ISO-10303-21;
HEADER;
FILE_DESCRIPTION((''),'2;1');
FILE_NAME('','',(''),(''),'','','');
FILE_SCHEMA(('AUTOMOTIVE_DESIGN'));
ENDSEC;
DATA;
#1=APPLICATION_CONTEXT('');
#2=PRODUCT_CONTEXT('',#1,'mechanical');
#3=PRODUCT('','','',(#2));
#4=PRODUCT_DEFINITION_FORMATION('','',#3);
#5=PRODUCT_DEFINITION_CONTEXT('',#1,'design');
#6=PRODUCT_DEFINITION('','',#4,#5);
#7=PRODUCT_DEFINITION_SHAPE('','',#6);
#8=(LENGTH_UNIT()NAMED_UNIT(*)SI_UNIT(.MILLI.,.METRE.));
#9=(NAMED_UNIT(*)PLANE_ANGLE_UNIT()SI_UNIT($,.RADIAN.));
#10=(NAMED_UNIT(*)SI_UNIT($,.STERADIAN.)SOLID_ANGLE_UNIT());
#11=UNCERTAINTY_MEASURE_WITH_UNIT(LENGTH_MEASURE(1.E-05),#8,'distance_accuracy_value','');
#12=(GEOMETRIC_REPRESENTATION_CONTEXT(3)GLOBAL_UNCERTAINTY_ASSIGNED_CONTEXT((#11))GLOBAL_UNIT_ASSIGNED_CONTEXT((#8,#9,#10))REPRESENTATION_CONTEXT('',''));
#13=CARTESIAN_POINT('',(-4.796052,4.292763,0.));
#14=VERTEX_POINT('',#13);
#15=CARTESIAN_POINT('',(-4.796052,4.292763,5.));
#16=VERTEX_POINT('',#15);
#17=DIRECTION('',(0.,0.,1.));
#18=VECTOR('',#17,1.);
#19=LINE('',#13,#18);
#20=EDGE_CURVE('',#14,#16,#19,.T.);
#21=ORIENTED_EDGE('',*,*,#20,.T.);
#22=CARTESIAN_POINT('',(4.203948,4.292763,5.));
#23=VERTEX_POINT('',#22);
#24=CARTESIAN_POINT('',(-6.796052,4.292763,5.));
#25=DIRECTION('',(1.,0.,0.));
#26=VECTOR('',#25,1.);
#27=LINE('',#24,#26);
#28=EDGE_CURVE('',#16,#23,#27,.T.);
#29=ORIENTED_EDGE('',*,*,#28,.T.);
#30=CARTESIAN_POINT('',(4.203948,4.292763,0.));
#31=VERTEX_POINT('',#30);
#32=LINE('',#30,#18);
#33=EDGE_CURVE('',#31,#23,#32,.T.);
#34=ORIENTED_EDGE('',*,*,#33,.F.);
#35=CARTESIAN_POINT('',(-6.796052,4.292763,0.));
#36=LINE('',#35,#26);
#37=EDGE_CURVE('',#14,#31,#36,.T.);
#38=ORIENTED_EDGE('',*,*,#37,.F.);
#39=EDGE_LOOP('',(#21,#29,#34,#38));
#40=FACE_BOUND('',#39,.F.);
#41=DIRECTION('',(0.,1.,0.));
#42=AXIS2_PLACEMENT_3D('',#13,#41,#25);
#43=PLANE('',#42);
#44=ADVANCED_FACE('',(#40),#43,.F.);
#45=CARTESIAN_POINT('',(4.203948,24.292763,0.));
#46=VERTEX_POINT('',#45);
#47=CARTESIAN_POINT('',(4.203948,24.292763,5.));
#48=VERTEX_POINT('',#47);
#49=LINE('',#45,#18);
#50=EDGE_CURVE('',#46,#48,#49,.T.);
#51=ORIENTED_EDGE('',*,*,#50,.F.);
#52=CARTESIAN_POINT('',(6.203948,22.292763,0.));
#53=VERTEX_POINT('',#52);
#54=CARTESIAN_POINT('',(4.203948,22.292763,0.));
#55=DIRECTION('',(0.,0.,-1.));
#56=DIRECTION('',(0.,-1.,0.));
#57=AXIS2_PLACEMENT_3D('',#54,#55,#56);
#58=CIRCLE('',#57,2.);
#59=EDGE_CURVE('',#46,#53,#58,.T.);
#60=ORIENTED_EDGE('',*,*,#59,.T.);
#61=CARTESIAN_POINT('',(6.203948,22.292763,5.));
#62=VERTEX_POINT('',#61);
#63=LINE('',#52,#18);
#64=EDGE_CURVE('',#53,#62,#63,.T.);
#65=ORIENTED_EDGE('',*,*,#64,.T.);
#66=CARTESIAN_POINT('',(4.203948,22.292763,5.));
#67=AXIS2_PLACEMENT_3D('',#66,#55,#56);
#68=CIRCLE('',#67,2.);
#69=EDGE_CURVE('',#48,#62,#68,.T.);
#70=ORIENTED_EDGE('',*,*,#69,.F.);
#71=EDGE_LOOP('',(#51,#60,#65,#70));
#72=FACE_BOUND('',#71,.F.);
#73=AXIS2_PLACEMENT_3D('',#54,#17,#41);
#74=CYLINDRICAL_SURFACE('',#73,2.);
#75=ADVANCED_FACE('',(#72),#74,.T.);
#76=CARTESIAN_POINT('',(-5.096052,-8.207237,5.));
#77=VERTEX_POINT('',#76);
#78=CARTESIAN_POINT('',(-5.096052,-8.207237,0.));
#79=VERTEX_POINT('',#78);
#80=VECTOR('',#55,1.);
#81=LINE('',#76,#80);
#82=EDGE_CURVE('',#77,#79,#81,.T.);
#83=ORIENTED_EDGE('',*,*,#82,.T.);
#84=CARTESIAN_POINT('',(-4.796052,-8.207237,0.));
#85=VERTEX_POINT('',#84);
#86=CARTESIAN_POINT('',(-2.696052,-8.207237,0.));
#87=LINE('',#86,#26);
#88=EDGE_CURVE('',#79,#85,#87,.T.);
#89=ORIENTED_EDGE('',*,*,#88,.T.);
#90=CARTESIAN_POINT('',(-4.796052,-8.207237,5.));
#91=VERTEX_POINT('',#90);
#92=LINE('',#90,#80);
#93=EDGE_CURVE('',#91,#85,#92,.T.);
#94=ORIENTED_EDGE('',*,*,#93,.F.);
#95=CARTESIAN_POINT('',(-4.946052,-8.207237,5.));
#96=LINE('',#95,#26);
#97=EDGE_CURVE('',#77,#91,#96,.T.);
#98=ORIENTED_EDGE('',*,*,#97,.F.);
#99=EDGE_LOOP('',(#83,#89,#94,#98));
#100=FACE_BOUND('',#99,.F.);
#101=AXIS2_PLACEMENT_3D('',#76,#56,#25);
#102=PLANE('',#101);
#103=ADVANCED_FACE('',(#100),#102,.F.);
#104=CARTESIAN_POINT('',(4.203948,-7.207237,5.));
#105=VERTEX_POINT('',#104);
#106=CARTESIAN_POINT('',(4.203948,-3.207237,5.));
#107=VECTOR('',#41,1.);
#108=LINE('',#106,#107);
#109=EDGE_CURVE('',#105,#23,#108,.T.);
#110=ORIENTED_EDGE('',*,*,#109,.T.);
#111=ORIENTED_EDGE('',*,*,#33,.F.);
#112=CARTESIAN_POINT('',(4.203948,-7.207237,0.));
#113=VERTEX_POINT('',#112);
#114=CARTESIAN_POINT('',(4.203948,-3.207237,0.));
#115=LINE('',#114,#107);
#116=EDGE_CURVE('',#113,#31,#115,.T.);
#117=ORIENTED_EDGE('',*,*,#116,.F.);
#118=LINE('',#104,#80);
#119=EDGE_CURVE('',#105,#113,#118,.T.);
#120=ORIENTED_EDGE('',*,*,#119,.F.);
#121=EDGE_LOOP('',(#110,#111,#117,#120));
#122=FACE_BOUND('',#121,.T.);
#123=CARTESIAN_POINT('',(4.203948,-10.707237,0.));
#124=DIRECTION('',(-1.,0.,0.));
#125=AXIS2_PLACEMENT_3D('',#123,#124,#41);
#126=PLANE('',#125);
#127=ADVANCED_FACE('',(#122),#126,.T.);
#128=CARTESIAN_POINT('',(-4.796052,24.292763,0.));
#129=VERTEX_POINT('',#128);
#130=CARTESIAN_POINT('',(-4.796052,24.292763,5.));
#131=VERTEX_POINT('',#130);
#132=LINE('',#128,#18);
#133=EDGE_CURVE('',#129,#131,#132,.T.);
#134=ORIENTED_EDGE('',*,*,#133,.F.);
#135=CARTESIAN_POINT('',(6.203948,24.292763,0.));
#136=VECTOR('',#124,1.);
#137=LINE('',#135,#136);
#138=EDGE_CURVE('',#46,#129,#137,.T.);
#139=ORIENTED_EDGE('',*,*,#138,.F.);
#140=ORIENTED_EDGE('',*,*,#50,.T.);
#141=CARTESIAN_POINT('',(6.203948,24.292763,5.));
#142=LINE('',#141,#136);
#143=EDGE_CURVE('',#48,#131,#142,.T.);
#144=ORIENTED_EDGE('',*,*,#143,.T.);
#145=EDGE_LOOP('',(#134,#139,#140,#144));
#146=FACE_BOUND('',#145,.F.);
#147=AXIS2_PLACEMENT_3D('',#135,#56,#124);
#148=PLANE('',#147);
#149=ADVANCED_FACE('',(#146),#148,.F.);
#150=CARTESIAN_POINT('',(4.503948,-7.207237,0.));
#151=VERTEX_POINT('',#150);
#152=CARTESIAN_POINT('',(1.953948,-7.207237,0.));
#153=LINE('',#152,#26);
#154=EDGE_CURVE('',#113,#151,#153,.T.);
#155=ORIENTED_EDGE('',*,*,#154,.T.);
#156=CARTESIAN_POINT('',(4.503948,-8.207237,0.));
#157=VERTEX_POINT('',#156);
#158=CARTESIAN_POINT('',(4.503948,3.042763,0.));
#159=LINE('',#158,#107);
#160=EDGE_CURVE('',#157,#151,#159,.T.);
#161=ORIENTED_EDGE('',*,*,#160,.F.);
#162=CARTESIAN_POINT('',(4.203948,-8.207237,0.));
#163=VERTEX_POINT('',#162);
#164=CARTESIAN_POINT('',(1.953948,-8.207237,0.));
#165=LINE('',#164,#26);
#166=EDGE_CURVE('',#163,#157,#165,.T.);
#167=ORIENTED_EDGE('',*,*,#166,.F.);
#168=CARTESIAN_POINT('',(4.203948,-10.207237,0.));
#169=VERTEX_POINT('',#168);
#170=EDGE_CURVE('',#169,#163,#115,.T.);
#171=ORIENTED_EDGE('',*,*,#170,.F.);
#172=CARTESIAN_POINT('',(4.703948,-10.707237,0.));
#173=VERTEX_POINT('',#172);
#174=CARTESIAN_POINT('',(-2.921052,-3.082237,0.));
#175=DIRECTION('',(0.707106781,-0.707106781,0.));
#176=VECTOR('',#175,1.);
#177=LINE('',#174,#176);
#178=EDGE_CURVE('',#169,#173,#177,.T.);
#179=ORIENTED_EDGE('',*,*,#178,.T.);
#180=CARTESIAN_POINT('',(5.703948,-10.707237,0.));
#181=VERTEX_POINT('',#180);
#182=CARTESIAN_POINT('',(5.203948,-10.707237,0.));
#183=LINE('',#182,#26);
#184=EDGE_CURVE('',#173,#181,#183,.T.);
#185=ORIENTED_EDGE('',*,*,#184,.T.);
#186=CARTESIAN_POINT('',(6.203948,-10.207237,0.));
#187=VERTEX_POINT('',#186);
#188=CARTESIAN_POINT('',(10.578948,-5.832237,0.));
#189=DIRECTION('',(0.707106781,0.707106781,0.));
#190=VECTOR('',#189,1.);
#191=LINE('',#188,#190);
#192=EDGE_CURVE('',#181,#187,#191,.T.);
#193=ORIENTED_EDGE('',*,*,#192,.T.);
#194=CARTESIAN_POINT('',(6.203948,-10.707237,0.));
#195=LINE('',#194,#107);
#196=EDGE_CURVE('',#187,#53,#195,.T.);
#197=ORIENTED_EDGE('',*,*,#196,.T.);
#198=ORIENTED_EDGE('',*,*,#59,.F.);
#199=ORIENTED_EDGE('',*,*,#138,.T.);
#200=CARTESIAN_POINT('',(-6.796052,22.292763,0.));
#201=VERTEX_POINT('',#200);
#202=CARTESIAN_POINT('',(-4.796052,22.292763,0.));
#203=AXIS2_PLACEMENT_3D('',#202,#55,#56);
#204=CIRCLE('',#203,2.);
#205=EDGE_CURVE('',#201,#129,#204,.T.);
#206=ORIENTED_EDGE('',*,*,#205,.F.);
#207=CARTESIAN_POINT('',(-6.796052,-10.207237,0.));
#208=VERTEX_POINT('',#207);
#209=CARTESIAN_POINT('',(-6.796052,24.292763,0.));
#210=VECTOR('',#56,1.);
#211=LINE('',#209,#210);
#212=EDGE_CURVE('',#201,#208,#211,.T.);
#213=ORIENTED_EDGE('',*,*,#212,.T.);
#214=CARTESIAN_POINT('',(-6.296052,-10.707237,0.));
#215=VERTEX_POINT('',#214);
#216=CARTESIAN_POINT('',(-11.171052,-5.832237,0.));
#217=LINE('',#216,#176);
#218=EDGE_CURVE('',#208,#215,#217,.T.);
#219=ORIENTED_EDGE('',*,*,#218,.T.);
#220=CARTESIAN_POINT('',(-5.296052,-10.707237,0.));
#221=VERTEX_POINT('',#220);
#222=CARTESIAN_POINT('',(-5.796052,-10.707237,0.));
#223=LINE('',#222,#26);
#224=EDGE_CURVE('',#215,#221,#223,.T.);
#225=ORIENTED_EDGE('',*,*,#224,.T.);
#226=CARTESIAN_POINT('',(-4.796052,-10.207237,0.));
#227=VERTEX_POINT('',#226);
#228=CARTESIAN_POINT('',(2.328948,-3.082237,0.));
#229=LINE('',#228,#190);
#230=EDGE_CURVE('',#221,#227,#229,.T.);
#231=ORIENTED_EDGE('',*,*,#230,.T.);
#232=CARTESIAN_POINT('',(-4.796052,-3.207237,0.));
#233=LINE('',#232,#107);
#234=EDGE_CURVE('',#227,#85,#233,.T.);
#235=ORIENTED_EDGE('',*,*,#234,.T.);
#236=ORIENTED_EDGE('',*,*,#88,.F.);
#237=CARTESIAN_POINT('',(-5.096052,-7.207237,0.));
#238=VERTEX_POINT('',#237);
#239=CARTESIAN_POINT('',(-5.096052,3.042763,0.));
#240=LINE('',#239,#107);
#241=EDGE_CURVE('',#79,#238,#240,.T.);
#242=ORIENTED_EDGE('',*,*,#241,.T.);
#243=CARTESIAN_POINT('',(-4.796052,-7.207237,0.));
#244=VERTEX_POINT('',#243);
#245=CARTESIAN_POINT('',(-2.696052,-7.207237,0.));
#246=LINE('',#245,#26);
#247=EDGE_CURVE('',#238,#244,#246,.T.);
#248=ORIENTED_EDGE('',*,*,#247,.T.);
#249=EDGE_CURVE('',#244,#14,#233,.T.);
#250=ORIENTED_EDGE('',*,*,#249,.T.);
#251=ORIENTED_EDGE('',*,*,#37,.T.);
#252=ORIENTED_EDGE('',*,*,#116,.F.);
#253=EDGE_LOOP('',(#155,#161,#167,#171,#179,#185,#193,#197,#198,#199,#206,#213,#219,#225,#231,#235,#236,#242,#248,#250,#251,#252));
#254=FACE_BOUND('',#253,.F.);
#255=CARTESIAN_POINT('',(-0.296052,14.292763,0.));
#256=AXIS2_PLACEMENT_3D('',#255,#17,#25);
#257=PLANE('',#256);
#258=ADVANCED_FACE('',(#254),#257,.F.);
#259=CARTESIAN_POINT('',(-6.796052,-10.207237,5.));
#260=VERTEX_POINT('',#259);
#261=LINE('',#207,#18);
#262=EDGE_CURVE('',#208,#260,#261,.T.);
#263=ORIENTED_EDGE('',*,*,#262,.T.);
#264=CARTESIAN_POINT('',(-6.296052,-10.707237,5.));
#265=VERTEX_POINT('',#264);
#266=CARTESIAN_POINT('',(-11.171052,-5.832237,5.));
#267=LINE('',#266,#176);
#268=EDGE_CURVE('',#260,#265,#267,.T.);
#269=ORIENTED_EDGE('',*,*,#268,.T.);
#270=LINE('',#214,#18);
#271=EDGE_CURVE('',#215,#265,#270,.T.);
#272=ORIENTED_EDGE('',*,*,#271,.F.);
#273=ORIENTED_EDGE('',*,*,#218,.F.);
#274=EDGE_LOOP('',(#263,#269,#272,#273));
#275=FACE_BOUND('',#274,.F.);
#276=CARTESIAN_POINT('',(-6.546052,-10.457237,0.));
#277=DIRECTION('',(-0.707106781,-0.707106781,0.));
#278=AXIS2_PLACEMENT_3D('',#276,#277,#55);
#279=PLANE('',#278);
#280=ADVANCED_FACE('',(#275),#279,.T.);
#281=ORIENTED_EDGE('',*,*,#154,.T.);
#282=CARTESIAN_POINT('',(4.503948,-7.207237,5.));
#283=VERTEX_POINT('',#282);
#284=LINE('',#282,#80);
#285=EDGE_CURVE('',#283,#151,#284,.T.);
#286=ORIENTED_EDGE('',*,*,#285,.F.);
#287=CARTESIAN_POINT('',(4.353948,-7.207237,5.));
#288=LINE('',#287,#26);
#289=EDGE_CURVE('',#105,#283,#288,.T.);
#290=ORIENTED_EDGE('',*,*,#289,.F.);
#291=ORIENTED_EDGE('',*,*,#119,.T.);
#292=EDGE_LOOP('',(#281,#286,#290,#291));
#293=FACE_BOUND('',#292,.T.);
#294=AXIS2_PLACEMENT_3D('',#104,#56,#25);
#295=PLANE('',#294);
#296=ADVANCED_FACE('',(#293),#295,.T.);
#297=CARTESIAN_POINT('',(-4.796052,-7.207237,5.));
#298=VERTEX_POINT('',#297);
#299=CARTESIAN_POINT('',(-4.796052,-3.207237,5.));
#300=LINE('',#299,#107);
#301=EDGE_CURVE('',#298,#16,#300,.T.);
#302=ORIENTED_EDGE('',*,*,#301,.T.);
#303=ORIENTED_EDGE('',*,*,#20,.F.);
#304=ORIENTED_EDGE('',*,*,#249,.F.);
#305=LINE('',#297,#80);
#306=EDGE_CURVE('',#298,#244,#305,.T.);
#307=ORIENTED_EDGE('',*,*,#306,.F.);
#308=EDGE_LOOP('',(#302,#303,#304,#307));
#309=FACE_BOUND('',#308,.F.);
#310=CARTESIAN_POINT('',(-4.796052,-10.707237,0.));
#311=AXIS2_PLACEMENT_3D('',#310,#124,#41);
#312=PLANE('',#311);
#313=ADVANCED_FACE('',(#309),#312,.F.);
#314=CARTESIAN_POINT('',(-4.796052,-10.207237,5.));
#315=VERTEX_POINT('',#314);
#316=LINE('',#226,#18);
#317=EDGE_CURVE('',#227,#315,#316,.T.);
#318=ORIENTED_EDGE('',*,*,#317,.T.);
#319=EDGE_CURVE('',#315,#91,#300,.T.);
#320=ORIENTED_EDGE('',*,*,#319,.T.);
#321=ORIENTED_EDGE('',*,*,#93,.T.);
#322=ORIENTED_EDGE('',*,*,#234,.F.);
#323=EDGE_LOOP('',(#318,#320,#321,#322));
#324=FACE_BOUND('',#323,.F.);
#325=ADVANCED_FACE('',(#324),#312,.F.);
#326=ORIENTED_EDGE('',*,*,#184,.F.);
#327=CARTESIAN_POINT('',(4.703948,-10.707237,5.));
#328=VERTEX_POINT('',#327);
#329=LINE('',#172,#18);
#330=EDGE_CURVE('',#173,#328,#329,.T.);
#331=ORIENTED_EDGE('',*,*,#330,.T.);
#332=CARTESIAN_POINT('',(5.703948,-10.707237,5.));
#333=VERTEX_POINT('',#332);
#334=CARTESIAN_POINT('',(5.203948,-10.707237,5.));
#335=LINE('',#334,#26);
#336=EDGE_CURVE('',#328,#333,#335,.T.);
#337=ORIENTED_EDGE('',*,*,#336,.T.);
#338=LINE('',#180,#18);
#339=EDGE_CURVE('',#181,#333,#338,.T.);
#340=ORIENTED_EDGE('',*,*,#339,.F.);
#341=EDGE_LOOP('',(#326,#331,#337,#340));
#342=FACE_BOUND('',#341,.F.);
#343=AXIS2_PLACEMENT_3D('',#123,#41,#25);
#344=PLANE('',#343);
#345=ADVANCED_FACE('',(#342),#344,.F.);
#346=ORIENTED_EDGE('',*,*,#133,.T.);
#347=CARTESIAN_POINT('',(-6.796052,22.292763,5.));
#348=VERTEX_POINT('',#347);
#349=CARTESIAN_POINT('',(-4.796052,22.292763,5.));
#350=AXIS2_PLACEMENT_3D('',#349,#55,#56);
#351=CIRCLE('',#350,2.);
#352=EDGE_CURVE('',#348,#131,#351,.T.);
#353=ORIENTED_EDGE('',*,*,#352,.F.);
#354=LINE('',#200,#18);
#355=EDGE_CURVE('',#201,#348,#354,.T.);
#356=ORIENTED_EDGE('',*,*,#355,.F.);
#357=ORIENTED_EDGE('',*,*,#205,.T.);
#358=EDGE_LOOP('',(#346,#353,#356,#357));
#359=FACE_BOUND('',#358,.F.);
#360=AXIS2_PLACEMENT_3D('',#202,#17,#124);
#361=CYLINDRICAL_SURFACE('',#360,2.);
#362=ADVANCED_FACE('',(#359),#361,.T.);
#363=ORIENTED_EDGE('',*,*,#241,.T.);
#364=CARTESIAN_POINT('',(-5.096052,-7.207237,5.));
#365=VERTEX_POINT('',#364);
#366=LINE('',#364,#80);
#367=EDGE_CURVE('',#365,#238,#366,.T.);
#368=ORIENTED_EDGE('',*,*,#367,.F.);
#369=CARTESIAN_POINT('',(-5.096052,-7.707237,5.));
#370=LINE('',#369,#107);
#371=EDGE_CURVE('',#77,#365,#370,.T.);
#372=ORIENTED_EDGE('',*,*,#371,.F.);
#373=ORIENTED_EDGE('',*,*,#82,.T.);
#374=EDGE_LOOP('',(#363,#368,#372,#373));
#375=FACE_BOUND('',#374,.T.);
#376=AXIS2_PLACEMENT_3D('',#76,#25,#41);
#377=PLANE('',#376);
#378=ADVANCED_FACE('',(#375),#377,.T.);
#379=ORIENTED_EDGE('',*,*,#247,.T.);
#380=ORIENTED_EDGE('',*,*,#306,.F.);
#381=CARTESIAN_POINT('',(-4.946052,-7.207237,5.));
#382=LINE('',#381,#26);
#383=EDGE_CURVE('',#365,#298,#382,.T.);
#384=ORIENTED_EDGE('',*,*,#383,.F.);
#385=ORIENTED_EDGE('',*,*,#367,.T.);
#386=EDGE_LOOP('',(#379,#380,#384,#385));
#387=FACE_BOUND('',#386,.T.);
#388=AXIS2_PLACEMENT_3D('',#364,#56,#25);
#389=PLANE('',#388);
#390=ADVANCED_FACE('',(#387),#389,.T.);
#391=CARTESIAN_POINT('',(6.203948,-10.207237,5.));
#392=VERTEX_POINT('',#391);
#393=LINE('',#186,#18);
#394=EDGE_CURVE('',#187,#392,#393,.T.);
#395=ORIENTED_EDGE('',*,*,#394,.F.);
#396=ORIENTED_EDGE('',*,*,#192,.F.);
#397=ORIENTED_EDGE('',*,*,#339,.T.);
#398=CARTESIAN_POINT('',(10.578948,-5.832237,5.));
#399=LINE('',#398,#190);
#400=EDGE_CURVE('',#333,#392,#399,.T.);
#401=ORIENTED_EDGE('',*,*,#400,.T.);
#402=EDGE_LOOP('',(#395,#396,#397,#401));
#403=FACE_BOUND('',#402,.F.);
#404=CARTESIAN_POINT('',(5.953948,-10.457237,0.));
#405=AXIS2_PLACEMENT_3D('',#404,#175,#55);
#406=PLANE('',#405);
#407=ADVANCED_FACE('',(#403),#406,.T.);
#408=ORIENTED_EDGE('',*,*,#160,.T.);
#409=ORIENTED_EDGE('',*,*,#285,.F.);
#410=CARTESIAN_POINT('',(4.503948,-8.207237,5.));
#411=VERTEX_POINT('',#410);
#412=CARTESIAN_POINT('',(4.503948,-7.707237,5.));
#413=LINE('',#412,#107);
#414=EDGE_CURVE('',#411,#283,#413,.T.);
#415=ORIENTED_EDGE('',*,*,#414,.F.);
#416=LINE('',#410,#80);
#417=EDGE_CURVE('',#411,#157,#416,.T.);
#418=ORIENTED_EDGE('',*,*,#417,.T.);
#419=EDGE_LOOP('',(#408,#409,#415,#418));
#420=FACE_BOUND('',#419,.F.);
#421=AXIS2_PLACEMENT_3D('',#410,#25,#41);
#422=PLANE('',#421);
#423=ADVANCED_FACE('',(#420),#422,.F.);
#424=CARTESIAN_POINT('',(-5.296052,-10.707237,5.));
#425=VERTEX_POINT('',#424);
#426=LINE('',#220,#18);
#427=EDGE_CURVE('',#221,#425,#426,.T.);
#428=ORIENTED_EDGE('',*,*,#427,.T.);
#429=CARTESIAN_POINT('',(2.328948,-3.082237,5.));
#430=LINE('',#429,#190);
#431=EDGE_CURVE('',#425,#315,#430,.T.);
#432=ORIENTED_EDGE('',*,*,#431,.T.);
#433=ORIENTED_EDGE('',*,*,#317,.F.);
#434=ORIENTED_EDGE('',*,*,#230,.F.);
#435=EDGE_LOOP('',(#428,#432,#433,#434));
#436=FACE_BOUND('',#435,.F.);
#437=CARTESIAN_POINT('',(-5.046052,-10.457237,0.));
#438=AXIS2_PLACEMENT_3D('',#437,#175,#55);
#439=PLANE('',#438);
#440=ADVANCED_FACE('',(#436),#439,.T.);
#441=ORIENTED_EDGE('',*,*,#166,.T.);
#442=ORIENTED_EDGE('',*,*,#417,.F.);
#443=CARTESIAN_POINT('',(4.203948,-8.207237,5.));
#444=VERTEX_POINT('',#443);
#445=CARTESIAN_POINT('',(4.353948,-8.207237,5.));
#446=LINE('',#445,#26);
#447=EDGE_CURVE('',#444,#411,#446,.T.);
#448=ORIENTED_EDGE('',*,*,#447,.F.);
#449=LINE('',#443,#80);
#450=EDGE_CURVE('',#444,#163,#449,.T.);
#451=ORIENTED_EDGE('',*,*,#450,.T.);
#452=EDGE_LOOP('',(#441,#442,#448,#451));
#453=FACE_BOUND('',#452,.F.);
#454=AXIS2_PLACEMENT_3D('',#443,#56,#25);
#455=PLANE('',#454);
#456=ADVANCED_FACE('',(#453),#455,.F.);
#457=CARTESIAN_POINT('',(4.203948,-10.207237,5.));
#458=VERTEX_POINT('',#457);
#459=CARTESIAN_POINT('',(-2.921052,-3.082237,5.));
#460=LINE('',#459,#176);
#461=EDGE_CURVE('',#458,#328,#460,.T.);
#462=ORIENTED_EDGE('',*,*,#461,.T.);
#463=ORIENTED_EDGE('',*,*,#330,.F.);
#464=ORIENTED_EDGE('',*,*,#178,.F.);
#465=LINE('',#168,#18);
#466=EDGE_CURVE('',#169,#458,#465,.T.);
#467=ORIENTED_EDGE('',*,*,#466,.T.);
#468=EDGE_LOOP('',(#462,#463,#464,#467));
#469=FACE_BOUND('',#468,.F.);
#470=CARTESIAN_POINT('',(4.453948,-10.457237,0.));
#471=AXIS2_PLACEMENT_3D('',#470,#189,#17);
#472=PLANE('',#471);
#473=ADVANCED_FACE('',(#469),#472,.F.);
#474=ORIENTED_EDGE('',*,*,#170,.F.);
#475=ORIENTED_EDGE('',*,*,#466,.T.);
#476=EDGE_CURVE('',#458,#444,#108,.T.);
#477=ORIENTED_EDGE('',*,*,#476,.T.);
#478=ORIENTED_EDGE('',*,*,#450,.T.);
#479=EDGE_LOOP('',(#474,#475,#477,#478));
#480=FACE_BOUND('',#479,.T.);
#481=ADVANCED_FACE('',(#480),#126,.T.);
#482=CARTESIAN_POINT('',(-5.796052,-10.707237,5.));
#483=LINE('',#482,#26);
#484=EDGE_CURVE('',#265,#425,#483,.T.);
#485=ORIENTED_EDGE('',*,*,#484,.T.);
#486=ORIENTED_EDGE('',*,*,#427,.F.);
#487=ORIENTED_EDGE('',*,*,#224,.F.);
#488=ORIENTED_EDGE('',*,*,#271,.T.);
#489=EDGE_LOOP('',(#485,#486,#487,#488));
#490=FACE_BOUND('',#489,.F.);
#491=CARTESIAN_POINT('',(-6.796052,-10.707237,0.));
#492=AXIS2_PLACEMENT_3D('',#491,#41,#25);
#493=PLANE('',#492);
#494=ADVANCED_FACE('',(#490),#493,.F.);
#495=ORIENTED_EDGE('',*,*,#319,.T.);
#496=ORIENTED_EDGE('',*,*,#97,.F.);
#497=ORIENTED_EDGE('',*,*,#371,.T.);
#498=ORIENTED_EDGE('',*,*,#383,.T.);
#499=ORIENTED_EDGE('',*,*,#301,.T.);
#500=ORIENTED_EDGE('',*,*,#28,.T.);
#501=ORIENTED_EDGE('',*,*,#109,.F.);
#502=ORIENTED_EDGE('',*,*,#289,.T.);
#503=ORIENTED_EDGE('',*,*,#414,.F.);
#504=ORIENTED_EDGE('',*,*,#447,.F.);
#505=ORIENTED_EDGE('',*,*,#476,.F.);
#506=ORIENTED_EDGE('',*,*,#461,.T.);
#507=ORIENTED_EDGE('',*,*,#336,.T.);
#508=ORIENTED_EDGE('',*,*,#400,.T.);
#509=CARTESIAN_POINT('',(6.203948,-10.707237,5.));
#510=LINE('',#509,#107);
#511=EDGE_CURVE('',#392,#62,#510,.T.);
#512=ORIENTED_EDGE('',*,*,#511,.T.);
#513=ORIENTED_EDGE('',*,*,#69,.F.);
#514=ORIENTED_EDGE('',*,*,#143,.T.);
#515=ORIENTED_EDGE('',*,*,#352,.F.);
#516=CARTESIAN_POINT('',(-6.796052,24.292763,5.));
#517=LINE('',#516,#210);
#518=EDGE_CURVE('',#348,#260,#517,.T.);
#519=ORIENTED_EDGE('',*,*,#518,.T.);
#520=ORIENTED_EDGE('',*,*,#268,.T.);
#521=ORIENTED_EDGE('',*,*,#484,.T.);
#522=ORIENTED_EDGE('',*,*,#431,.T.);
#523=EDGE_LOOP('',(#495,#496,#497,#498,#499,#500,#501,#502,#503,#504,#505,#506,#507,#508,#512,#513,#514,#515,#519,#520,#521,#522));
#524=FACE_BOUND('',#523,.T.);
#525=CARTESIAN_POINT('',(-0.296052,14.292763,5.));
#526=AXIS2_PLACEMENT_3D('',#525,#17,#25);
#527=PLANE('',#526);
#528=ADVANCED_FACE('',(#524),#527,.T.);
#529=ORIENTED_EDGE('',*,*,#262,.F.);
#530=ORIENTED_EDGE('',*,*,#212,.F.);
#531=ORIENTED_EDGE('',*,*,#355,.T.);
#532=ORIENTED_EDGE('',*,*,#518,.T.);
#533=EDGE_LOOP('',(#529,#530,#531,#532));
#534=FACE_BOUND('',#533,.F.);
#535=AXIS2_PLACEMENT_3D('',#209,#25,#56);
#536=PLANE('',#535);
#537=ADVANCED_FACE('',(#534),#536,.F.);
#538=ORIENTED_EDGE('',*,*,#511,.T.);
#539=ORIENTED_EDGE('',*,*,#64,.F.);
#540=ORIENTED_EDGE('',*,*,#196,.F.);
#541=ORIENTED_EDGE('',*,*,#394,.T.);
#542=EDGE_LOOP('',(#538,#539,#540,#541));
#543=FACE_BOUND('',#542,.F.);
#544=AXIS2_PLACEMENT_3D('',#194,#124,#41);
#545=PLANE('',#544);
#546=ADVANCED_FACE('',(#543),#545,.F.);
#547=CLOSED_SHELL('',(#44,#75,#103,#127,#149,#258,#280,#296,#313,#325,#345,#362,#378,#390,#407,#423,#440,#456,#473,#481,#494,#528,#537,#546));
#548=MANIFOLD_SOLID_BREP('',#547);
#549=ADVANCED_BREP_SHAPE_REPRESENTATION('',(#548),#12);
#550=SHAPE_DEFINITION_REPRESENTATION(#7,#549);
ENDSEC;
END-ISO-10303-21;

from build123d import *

# Parameters (mm, degrees)
F0_W     = 2
F0_H     = 15
F1_DEPTH = 5
F2_SIZE  = 0.5
F3_W     = 0.3
F3_H     = 1
F4_DEPTH = 25
F5_R     = 2


with BuildPart() as f1:
    # F0 (on Top) → F1 (new body)
    with BuildSketch(Plane.XY):
        Polygon((6.203948, 24.292763), (-6.796052, 24.292763), (-6.796052, 4.292763), (-4.796052, 4.292763), (4.203948, 4.292763), (6.203948, 4.292763), align=None)
        with Locations((-5.796052, -3.207237)):
            Rectangle(F0_W, F0_H)
        with Locations((5.203948, -3.207237)):
            Rectangle(F0_W, F0_H)
    extrude(amount=F1_DEPTH)

    # F2
    f2_edges = [f1.edges().sort_by_distance(p)[0] for p in [
        (-6.796052, -10.707237, 2.5),
        (4.203948, -10.707237, 2.5),
        (6.203948, -10.707237, 2.5),
        (-4.796052, -10.707237, 2.5),
    ]]
    chamfer(f2_edges, length=F2_SIZE)

    # F3 (on face) → F4 (cut)
    with BuildSketch(Plane.XY.offset(5)):
        with Locations((-4.946052, -7.707237)):
            Rectangle(F3_W, F3_H)
        with Locations((4.353948, -7.707237)):
            Rectangle(F3_W, F3_H)
    extrude(amount=-F4_DEPTH, mode=Mode.SUBTRACT)

    # F5
    f5_edges = [f1.edges().sort_by_distance(p)[0] for p in [
        (6.203948, 24.292763, 2.5),
        (-6.796052, 24.292763, 2.5),
    ]]
    fillet(f5_edges, radius=F5_R)


solid = f1.part
